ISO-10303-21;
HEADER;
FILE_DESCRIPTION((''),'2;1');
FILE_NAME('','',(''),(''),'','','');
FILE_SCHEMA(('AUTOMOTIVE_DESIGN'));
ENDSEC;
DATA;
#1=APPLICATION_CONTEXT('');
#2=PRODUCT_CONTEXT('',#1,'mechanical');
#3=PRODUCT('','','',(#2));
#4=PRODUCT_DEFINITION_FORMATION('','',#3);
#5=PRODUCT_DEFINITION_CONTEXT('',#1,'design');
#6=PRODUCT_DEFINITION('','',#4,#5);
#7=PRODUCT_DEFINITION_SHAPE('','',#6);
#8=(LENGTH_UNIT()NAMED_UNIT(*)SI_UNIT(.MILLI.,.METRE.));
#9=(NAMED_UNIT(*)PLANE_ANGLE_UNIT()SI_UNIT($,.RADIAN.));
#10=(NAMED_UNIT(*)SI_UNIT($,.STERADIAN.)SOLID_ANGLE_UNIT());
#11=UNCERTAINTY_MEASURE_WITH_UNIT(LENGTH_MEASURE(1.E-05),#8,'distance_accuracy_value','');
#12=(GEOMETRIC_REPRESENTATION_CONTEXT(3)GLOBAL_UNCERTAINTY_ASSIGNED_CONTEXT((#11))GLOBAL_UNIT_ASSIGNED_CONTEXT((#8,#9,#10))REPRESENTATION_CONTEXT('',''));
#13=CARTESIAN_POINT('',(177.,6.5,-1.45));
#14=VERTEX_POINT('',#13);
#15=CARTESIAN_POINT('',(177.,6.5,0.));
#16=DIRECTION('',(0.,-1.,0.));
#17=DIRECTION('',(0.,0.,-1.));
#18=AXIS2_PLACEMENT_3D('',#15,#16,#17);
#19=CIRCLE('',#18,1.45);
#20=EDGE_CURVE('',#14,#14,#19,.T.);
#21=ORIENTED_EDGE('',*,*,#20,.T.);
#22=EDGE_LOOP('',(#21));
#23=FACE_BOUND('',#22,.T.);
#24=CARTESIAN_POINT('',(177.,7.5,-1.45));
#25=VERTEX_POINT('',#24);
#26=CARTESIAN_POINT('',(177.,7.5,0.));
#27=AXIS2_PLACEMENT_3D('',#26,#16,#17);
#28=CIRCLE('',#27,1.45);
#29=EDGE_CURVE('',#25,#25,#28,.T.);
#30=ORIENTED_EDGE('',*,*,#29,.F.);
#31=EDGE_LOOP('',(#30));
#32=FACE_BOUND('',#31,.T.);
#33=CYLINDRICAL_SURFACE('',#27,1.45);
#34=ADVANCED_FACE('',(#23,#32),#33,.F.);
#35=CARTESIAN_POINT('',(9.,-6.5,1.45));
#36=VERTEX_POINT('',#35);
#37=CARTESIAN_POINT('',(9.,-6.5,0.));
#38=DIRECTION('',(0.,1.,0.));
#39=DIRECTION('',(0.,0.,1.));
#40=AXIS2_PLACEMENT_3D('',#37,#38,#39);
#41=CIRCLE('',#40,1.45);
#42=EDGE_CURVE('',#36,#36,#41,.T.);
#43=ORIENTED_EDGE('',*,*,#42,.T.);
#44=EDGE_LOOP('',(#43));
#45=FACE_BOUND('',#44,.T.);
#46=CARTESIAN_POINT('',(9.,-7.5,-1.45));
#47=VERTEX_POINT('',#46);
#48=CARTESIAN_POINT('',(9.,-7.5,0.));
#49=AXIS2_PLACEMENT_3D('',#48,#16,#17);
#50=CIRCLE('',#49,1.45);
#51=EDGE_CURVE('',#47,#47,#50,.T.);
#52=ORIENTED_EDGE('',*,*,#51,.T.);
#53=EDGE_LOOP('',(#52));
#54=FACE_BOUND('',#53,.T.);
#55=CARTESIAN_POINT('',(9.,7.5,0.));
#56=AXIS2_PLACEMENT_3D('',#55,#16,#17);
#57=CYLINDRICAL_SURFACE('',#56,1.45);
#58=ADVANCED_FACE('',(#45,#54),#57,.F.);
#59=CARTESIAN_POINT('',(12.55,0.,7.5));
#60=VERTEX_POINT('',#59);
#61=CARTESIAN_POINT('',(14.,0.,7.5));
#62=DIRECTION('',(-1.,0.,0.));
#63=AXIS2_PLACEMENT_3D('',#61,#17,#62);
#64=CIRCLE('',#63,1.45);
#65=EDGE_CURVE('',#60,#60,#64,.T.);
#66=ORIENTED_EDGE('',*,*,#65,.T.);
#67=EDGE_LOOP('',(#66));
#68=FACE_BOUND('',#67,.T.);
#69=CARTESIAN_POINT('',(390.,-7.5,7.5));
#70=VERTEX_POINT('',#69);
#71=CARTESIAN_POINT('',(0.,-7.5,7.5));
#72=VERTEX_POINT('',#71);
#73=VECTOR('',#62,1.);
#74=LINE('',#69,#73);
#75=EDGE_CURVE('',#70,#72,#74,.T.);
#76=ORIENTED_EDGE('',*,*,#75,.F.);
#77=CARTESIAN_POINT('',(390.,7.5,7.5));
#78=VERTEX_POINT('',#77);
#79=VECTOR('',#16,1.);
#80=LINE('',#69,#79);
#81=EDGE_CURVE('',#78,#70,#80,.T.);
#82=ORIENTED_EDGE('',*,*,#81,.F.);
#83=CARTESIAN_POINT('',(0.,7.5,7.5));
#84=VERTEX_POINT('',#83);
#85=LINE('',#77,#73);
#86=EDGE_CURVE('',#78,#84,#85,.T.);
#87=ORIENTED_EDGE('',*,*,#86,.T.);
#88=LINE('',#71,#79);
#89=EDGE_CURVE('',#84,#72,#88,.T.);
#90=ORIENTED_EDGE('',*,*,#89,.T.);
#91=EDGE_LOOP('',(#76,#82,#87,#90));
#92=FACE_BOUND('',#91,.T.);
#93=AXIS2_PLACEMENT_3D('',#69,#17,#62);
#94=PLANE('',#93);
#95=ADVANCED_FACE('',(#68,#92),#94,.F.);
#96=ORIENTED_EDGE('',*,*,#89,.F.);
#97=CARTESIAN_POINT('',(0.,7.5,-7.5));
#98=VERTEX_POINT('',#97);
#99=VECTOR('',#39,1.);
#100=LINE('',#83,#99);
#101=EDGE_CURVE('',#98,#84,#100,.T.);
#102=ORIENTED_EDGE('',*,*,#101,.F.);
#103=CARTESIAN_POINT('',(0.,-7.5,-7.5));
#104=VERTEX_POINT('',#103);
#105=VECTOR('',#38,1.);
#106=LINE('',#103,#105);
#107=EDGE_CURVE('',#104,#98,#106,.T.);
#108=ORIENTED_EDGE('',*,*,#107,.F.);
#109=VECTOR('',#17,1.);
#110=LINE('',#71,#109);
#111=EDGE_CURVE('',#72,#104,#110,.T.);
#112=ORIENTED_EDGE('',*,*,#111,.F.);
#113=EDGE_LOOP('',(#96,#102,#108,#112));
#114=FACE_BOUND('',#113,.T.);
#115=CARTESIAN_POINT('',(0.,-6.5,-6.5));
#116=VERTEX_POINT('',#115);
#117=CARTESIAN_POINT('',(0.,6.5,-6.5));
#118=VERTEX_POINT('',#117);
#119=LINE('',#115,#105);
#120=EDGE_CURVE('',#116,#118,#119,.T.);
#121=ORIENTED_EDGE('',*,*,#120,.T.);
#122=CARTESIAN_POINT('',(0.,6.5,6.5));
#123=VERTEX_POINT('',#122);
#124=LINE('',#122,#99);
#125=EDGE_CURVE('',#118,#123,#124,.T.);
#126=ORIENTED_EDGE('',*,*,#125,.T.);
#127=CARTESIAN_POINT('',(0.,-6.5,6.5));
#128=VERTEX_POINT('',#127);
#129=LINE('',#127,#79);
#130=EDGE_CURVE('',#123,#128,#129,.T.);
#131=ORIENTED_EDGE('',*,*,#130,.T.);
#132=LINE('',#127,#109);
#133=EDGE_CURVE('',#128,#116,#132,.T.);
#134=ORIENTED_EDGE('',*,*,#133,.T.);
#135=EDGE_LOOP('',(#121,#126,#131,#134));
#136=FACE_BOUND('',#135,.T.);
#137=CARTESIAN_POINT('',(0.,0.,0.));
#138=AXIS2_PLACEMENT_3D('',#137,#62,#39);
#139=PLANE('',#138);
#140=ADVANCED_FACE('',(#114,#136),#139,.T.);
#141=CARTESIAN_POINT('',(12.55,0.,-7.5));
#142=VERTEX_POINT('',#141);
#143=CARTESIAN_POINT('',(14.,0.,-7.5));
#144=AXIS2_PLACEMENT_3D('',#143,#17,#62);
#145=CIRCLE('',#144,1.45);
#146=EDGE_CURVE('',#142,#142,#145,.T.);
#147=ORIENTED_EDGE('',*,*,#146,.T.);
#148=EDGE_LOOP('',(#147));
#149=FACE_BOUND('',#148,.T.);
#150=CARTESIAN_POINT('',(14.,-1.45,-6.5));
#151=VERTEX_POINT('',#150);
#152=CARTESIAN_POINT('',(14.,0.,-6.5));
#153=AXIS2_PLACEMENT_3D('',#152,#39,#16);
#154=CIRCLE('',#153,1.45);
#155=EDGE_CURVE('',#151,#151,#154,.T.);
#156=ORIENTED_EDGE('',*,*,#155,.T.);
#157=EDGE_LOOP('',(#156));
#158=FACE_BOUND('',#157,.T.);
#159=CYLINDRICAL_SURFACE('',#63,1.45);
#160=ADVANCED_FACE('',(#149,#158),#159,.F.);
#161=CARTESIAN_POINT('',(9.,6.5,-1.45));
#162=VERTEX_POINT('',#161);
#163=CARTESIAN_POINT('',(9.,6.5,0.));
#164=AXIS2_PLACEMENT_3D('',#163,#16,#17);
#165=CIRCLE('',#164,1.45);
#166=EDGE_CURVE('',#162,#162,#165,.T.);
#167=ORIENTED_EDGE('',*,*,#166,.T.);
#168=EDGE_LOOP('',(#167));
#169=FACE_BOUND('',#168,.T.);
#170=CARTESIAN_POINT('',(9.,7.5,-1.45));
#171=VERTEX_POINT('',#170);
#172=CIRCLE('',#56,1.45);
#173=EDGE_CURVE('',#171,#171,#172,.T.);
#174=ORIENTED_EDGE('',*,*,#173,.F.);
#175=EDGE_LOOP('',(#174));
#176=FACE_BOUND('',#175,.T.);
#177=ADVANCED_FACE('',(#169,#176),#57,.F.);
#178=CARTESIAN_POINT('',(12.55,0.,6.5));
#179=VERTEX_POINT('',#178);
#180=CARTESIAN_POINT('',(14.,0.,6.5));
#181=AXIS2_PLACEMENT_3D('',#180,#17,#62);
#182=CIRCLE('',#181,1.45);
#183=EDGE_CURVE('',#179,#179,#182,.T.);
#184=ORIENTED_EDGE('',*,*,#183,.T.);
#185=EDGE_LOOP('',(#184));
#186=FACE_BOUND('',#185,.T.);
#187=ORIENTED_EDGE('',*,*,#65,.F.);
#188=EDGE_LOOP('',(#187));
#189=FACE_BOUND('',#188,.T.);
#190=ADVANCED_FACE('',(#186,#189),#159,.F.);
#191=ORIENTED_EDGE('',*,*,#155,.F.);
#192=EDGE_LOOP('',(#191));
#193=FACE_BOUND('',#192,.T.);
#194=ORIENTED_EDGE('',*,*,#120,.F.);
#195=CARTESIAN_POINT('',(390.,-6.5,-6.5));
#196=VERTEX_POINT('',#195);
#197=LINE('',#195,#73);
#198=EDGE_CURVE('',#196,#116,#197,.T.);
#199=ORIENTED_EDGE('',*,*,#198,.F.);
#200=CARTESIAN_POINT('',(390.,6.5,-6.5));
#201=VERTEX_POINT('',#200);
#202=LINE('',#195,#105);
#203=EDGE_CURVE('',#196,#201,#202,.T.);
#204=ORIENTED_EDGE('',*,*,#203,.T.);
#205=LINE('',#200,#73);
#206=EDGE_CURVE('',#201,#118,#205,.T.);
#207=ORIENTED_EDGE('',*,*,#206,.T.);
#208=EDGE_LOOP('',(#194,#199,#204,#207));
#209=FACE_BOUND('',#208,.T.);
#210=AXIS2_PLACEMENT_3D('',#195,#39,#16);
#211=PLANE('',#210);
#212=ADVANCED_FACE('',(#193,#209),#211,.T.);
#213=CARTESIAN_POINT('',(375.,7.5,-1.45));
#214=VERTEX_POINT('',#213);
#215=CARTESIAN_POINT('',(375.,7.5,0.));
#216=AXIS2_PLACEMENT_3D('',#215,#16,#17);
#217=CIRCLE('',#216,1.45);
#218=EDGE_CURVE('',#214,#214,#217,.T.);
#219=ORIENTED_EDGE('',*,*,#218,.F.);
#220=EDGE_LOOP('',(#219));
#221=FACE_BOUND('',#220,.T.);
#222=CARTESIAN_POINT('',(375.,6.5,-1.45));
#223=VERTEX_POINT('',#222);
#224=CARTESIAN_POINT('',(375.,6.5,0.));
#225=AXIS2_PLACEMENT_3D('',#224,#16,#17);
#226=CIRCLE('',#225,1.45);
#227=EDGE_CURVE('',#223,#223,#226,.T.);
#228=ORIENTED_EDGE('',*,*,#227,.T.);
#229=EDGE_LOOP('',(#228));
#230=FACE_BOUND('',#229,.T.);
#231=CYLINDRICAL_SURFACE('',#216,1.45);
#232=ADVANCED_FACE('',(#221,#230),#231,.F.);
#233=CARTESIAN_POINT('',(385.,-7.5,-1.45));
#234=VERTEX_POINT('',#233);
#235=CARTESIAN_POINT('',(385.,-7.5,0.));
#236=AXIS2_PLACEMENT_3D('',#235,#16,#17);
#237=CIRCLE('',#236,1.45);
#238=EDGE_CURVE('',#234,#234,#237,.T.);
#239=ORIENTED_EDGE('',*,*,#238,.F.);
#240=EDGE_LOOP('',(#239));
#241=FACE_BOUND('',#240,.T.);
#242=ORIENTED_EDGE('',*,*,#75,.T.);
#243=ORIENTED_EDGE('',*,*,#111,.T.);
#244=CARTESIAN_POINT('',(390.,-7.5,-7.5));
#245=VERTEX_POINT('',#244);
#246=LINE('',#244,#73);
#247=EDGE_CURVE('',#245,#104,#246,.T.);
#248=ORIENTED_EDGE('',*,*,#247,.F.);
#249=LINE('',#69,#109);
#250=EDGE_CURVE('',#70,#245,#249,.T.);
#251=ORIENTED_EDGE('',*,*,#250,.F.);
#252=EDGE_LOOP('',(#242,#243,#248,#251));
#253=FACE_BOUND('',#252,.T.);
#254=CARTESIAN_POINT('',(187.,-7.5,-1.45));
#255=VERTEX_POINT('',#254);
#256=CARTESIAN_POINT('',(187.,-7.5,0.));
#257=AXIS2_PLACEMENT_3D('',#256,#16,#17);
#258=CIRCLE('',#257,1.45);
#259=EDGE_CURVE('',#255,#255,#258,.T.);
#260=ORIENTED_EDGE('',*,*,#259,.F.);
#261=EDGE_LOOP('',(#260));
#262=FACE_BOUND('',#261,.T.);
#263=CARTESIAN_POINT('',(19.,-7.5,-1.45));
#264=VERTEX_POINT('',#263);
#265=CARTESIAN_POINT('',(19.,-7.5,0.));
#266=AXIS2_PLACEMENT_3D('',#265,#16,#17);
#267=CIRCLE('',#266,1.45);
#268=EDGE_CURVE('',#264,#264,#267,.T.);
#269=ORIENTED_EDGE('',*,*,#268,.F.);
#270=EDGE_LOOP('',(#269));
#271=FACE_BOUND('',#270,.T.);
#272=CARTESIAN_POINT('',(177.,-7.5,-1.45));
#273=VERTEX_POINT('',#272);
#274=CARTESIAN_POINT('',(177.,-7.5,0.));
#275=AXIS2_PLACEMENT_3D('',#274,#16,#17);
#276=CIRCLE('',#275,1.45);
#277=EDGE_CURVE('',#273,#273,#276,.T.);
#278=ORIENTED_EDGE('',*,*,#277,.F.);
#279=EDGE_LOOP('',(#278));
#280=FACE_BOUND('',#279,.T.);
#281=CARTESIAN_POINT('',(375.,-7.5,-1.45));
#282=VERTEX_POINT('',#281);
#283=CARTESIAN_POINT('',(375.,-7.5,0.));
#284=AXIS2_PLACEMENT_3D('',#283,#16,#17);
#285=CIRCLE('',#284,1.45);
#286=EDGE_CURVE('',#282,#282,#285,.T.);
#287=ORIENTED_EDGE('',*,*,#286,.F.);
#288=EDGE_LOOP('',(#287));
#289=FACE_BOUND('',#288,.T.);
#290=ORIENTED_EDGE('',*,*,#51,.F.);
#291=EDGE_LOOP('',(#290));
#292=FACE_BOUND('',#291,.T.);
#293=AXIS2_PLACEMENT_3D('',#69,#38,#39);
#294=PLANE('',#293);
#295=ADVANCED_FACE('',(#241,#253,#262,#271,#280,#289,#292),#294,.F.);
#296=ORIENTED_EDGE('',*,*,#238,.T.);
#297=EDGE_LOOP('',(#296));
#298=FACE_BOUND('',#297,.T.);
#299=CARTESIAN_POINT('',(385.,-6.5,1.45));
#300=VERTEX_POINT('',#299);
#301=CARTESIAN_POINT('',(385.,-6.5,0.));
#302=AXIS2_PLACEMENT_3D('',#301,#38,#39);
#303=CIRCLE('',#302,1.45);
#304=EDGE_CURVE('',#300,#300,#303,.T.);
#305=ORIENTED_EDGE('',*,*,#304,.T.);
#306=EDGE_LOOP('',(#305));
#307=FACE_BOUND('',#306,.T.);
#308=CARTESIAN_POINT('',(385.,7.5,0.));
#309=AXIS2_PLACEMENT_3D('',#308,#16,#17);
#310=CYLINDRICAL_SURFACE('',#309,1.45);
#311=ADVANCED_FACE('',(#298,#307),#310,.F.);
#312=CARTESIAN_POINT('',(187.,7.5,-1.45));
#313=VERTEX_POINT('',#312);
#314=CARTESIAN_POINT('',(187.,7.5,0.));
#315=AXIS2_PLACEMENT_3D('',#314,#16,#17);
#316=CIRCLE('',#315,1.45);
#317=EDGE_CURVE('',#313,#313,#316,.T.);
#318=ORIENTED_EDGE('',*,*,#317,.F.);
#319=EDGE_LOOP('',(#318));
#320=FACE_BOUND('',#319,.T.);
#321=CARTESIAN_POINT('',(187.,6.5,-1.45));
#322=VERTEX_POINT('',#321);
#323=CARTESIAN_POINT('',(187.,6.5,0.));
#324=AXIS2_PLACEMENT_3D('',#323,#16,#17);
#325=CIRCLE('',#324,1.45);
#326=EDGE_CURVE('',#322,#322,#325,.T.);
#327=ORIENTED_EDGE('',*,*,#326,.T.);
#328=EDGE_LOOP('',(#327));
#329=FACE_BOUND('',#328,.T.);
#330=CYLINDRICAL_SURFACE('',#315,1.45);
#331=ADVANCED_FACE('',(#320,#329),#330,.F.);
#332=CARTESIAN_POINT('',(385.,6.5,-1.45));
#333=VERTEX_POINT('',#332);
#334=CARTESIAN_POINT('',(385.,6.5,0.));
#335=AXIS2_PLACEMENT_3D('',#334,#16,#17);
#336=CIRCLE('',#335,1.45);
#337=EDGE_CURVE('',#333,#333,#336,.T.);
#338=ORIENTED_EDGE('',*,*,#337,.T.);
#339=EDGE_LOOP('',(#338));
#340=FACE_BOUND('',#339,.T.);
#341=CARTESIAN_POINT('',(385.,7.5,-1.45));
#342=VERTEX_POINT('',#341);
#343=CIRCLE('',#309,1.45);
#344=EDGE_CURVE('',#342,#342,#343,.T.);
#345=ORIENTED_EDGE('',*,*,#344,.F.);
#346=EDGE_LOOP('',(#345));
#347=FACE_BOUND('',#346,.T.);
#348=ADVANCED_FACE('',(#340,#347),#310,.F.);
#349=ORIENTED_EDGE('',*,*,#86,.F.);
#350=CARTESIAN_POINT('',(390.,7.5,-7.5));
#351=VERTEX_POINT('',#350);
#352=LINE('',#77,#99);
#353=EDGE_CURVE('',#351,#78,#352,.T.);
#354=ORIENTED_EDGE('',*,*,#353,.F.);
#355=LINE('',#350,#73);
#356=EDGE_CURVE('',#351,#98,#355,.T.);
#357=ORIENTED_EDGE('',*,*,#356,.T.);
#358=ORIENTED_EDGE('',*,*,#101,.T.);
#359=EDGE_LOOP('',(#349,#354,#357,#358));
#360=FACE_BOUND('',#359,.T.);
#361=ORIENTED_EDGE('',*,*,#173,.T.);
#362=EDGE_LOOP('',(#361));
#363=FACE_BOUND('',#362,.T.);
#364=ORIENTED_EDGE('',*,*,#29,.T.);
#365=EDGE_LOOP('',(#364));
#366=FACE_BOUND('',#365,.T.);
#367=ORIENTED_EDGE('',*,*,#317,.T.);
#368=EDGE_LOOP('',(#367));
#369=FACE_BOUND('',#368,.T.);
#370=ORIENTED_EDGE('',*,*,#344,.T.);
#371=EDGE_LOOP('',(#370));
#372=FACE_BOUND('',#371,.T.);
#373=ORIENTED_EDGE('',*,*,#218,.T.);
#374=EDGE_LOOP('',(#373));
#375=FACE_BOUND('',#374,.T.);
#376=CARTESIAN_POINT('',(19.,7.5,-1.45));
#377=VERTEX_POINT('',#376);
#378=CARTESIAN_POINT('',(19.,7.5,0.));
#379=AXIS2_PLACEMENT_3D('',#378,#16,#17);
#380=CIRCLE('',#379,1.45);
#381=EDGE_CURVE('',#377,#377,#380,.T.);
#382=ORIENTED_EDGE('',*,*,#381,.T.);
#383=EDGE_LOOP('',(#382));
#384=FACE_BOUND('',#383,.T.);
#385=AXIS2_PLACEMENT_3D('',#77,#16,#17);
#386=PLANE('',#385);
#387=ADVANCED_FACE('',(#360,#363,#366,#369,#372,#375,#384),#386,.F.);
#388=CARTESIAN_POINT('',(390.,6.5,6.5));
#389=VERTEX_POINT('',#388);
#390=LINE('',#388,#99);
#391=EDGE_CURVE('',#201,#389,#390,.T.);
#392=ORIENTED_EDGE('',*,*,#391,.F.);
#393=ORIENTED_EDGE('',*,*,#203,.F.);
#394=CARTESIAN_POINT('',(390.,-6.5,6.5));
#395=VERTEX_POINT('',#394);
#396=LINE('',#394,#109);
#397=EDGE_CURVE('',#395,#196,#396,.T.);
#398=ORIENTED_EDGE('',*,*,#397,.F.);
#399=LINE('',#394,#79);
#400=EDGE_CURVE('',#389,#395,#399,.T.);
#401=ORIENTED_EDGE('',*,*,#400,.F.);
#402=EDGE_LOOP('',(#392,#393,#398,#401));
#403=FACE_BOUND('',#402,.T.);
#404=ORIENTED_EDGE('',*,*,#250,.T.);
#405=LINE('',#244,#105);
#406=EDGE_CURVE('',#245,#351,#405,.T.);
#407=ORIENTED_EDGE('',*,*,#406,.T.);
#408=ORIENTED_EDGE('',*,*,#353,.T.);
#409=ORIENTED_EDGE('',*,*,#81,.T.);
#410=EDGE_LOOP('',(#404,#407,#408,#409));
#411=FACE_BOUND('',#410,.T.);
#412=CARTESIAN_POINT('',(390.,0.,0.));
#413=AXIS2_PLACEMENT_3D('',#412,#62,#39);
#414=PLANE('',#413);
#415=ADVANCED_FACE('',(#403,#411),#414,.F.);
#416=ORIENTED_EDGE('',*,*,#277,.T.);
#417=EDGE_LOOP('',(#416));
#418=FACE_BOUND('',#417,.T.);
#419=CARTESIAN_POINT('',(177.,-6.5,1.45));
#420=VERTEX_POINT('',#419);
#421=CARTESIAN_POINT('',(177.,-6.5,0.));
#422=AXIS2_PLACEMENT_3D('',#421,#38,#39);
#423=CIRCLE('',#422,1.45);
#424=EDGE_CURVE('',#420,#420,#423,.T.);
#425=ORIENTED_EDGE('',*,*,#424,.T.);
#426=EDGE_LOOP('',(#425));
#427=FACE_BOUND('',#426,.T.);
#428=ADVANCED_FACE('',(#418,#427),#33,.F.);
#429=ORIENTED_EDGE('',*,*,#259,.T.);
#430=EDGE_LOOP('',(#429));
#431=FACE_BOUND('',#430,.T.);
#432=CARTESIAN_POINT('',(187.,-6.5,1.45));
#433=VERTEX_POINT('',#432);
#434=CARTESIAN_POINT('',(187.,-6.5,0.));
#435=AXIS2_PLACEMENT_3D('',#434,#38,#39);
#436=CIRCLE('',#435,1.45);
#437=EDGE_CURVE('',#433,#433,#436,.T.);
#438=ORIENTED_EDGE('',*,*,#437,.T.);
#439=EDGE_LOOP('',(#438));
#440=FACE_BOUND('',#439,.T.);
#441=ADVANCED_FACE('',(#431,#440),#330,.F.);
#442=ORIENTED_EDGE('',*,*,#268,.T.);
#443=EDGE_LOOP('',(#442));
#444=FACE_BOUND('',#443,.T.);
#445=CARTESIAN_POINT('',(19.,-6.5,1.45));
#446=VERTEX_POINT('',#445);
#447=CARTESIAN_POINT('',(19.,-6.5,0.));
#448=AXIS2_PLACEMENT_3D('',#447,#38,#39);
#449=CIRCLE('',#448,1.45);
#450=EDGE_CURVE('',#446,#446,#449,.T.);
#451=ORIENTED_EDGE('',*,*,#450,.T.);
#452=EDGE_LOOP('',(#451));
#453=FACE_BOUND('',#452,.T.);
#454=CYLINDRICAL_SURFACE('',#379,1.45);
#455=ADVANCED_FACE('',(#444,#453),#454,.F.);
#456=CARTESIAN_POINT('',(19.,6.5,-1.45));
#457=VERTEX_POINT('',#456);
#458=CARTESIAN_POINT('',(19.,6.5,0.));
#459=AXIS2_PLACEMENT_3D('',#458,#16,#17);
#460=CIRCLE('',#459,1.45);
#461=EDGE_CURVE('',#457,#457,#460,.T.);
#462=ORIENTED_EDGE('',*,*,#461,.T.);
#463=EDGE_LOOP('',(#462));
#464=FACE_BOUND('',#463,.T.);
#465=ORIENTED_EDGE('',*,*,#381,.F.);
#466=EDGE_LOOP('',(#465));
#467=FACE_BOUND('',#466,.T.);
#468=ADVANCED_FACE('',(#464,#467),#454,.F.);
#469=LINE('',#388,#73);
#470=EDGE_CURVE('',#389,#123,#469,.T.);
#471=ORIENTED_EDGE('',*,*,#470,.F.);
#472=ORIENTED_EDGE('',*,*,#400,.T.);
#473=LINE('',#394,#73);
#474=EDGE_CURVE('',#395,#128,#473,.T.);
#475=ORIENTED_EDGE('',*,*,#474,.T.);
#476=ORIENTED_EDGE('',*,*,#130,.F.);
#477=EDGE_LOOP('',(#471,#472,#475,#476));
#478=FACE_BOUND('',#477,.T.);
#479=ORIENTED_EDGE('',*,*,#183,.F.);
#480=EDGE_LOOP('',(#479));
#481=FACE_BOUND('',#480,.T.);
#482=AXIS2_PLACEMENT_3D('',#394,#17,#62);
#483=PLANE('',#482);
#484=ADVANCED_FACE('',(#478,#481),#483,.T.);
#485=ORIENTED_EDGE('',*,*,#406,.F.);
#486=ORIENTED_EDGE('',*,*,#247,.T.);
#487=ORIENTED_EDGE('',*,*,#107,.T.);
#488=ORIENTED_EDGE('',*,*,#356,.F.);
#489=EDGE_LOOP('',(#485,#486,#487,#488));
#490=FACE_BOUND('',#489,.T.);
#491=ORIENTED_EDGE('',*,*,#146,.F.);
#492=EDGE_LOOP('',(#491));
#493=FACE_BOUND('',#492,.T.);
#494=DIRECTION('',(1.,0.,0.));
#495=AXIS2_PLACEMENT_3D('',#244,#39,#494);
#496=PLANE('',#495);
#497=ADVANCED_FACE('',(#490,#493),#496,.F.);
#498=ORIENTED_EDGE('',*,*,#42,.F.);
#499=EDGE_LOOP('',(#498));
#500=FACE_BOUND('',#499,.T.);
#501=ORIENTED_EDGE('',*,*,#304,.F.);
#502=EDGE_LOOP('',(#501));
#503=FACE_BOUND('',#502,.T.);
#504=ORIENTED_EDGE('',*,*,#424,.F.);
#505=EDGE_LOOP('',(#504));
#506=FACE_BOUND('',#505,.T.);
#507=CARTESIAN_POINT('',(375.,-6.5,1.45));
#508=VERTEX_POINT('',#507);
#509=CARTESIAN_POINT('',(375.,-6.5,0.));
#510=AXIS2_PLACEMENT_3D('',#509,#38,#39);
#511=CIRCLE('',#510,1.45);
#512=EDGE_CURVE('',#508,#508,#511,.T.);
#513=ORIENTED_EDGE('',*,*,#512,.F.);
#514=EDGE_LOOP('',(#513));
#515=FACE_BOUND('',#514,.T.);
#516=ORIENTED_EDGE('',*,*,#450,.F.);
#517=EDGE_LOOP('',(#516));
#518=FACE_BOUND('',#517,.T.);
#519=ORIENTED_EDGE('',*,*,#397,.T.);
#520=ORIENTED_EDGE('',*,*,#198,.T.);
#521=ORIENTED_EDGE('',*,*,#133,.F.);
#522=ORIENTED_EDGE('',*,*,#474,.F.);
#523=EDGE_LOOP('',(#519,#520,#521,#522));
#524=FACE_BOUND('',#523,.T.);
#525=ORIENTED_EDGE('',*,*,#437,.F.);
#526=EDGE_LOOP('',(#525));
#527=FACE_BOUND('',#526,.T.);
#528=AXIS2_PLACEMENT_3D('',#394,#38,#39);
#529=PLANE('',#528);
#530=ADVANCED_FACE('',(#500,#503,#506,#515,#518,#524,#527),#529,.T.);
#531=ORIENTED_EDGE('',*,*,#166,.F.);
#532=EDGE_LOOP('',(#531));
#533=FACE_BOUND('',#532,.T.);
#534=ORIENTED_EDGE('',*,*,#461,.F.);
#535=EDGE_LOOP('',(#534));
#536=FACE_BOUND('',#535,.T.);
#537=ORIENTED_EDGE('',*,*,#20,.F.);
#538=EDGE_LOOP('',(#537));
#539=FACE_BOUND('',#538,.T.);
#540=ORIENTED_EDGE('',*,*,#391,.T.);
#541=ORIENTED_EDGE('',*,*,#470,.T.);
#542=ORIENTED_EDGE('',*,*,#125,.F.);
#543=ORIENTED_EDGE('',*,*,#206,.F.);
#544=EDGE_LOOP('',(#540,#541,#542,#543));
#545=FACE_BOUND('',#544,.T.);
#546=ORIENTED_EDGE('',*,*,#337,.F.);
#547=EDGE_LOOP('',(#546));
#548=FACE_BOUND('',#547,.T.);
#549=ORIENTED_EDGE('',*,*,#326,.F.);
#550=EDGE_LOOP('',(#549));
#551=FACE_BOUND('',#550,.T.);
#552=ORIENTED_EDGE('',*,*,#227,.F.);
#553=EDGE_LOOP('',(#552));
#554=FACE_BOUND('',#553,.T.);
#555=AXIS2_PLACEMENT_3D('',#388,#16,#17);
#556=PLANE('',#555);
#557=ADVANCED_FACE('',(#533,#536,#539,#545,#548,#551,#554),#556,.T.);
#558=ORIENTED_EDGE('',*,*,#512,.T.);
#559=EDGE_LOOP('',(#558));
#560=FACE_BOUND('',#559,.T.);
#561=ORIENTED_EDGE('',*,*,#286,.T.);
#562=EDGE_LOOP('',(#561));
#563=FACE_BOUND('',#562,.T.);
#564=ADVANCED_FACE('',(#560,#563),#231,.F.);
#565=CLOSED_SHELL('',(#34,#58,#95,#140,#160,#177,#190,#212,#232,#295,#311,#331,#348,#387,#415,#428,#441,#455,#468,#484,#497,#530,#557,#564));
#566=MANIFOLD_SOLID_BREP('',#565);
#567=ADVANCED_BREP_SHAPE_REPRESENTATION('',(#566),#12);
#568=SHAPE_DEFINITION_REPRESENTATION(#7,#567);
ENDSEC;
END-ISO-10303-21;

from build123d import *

# Parameters (mm, degrees)
SKETCH_1_W          = 15
SKETCH_1_H          = 15
SKETCH_1_W_2        = 13
SKETCH_1_H_2        = 13
EXTRUDE_1_DEPTH     = 390
SKETCH_2_R          = 1.45
CUT_EXTRUDE_1_DEPTH = 391.36041039
SKETCH_3_R          = 1.45
CUT_EXTRUDE_2_DEPTH = 391.36041039


with BuildPart() as part:
    # 草图1 → 凸台-拉伸1 (new body)
    with BuildSketch(Plane(origin=(0, 0, 0), x_dir=(0, 0, -1), z_dir=(1, 0, 0))):
        Rectangle(SKETCH_1_W, SKETCH_1_H)
        Rectangle(SKETCH_1_W_2, SKETCH_1_H_2, mode=Mode.SUBTRACT)
    extrude(amount=EXTRUDE_1_DEPTH)

    # 草图2 → 切除-拉伸1 (cut, through all)
    with BuildSketch(Plane.XZ.offset(7.5)):
        with Locations(Location((375, 0, 0), (0, 0, 270))):
            Circle(SKETCH_2_R)
        with Locations(Location((385, 0, 0), (0, 0, 270))):
            Circle(SKETCH_2_R)
        with Locations(Location((9, 0, 0), (0, 0, 270))):
            Circle(SKETCH_2_R)
        with Locations(Location((19, 0, 0), (0, 0, 270))):
            Circle(SKETCH_2_R)
        with Locations(Location((177, 0, 0), (0, 0, 270))):
            Circle(SKETCH_2_R)
        with Locations(Location((187, 0, 0), (0, 0, 270))):
            Circle(SKETCH_2_R)
    extrude(amount=-CUT_EXTRUDE_1_DEPTH, mode=Mode.SUBTRACT)

    # 草图3 → 切除-拉伸2 (cut, through all)
    with BuildSketch(Plane(origin=(0, 0, -7.5), x_dir=(-1, 0, 0), z_dir=(0, 0, -1))):
        with Locations((-14, 0)):
            Circle(SKETCH_3_R)
    extrude(amount=-CUT_EXTRUDE_2_DEPTH, mode=Mode.SUBTRACT)


solid = part.part
